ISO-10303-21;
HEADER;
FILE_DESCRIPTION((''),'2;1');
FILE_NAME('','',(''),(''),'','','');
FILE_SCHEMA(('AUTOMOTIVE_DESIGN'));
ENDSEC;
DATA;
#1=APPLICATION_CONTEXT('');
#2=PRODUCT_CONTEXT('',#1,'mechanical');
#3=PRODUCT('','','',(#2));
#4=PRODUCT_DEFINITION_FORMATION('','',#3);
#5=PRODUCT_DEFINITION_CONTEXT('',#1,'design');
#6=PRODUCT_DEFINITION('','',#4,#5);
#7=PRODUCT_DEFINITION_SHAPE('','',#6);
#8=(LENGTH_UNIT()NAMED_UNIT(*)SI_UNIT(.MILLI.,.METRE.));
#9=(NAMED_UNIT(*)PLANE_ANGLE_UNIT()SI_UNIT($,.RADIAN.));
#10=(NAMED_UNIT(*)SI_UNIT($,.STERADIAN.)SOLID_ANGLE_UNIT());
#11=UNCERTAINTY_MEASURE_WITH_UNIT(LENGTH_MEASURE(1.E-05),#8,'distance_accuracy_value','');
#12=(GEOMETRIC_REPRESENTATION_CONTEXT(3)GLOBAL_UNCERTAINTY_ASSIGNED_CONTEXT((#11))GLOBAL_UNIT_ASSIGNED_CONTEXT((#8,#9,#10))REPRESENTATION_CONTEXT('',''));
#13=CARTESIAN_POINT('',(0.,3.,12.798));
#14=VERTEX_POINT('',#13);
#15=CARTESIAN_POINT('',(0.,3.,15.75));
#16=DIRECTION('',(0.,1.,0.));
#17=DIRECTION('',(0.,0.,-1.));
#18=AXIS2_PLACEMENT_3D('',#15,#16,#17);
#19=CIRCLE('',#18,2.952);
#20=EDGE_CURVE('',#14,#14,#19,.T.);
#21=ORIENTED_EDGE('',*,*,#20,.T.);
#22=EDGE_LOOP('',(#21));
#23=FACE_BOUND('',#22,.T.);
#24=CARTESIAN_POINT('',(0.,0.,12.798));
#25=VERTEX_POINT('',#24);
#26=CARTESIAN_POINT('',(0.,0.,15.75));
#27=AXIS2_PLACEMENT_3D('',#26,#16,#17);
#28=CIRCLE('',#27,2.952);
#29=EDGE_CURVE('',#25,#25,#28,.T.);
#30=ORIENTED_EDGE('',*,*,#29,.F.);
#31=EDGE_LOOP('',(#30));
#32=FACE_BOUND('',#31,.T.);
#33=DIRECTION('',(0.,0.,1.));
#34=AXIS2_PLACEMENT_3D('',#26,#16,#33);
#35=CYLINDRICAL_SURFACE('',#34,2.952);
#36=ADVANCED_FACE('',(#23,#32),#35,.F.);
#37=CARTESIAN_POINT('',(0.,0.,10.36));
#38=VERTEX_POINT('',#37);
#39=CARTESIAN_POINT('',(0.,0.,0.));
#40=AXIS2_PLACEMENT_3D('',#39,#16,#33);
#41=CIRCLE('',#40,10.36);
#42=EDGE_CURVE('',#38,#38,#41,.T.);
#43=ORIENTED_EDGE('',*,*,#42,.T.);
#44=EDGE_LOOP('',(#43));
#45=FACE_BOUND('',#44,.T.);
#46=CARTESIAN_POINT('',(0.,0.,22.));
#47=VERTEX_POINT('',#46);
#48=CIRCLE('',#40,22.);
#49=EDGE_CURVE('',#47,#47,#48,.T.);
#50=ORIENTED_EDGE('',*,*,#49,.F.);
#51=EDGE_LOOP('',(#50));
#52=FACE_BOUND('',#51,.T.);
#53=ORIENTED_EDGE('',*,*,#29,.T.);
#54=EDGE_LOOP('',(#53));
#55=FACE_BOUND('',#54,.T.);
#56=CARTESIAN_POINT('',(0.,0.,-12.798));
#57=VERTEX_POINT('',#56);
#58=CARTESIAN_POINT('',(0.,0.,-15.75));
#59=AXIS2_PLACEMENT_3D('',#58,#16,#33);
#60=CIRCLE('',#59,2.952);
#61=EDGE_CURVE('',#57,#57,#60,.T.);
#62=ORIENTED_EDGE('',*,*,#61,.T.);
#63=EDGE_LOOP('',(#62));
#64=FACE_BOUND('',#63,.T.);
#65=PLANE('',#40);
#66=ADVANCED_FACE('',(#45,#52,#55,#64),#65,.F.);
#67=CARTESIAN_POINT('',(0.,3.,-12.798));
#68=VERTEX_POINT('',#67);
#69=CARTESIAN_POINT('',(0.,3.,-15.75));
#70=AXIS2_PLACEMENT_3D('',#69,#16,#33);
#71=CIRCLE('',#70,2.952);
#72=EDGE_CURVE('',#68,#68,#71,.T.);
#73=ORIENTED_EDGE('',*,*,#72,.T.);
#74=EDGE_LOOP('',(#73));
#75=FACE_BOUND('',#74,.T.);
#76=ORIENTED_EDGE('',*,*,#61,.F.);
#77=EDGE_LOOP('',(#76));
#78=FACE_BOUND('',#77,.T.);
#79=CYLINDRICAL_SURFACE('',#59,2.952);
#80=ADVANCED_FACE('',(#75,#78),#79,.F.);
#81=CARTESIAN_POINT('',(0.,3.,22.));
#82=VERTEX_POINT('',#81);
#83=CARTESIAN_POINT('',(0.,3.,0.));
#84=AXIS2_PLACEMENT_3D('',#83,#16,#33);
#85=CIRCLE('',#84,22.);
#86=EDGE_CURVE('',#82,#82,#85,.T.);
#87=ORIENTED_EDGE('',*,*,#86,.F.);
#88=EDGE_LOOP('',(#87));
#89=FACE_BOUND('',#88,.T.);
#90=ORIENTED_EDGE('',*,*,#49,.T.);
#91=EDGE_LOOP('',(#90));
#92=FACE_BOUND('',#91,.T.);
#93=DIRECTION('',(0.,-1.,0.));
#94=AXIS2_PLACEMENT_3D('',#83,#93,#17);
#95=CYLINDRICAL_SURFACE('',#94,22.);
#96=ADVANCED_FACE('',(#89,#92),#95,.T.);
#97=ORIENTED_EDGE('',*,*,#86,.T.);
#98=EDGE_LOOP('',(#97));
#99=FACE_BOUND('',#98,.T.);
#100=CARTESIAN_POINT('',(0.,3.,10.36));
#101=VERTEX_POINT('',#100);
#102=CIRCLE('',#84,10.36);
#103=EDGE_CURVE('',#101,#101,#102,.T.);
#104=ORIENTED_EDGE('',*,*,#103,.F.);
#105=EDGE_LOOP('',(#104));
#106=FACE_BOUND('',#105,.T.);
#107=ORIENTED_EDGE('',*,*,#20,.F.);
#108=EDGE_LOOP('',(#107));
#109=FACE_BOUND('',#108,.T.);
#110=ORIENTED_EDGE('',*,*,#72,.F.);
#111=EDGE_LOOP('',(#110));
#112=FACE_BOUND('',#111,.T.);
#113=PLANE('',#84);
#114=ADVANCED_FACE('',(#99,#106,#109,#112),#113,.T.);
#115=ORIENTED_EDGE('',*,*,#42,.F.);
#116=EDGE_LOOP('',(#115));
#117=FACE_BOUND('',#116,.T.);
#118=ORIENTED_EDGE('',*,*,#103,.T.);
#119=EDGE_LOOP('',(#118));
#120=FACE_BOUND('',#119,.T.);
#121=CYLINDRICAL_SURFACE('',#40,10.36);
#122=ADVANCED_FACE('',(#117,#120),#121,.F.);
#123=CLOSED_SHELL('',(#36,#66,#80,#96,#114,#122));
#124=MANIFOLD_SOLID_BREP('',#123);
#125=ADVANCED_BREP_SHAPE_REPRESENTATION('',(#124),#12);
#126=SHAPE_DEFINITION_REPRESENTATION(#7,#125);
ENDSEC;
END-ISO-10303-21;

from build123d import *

# Parameters (mm, degrees)
SKETCH1_R           = 22
BOSS_EXTRUDE1_DEPTH = 3
SKETCH2_R           = 10.36
SKETCH2_R_2         = 2.952
CUT_EXTRUDE1_DEPTH  = 3


with BuildPart() as part:
    # Sketch1 → Boss-Extrude1 (new body)
    with BuildSketch(Plane(origin=(0, 0, 0), x_dir=(1, 0, 0), z_dir=(0, 1, 0))):
        with Locations(Location((0, 0, 0), (0, 0, 270))):
            Circle(SKETCH1_R)
    extrude(amount=BOSS_EXTRUDE1_DEPTH)

    # Sketch2 → Cut-Extrude1 (cut)
    with BuildSketch(Plane(origin=(0, 3, 0), x_dir=(1, 0, 0), z_dir=(0, 1, 0))):
        with Locations(Location((0, 0, 0), (0, 0, 270))):
            Circle(SKETCH2_R)
        with Locations(Location((0, 15.75, 0), (0, 0, 270))):
            Circle(SKETCH2_R_2)
        with Locations(Location((0, -15.75, 0), (0, 0, 90))):
            Circle(SKETCH2_R_2)
    extrude(amount=-CUT_EXTRUDE1_DEPTH, mode=Mode.SUBTRACT)


solid = part.part
